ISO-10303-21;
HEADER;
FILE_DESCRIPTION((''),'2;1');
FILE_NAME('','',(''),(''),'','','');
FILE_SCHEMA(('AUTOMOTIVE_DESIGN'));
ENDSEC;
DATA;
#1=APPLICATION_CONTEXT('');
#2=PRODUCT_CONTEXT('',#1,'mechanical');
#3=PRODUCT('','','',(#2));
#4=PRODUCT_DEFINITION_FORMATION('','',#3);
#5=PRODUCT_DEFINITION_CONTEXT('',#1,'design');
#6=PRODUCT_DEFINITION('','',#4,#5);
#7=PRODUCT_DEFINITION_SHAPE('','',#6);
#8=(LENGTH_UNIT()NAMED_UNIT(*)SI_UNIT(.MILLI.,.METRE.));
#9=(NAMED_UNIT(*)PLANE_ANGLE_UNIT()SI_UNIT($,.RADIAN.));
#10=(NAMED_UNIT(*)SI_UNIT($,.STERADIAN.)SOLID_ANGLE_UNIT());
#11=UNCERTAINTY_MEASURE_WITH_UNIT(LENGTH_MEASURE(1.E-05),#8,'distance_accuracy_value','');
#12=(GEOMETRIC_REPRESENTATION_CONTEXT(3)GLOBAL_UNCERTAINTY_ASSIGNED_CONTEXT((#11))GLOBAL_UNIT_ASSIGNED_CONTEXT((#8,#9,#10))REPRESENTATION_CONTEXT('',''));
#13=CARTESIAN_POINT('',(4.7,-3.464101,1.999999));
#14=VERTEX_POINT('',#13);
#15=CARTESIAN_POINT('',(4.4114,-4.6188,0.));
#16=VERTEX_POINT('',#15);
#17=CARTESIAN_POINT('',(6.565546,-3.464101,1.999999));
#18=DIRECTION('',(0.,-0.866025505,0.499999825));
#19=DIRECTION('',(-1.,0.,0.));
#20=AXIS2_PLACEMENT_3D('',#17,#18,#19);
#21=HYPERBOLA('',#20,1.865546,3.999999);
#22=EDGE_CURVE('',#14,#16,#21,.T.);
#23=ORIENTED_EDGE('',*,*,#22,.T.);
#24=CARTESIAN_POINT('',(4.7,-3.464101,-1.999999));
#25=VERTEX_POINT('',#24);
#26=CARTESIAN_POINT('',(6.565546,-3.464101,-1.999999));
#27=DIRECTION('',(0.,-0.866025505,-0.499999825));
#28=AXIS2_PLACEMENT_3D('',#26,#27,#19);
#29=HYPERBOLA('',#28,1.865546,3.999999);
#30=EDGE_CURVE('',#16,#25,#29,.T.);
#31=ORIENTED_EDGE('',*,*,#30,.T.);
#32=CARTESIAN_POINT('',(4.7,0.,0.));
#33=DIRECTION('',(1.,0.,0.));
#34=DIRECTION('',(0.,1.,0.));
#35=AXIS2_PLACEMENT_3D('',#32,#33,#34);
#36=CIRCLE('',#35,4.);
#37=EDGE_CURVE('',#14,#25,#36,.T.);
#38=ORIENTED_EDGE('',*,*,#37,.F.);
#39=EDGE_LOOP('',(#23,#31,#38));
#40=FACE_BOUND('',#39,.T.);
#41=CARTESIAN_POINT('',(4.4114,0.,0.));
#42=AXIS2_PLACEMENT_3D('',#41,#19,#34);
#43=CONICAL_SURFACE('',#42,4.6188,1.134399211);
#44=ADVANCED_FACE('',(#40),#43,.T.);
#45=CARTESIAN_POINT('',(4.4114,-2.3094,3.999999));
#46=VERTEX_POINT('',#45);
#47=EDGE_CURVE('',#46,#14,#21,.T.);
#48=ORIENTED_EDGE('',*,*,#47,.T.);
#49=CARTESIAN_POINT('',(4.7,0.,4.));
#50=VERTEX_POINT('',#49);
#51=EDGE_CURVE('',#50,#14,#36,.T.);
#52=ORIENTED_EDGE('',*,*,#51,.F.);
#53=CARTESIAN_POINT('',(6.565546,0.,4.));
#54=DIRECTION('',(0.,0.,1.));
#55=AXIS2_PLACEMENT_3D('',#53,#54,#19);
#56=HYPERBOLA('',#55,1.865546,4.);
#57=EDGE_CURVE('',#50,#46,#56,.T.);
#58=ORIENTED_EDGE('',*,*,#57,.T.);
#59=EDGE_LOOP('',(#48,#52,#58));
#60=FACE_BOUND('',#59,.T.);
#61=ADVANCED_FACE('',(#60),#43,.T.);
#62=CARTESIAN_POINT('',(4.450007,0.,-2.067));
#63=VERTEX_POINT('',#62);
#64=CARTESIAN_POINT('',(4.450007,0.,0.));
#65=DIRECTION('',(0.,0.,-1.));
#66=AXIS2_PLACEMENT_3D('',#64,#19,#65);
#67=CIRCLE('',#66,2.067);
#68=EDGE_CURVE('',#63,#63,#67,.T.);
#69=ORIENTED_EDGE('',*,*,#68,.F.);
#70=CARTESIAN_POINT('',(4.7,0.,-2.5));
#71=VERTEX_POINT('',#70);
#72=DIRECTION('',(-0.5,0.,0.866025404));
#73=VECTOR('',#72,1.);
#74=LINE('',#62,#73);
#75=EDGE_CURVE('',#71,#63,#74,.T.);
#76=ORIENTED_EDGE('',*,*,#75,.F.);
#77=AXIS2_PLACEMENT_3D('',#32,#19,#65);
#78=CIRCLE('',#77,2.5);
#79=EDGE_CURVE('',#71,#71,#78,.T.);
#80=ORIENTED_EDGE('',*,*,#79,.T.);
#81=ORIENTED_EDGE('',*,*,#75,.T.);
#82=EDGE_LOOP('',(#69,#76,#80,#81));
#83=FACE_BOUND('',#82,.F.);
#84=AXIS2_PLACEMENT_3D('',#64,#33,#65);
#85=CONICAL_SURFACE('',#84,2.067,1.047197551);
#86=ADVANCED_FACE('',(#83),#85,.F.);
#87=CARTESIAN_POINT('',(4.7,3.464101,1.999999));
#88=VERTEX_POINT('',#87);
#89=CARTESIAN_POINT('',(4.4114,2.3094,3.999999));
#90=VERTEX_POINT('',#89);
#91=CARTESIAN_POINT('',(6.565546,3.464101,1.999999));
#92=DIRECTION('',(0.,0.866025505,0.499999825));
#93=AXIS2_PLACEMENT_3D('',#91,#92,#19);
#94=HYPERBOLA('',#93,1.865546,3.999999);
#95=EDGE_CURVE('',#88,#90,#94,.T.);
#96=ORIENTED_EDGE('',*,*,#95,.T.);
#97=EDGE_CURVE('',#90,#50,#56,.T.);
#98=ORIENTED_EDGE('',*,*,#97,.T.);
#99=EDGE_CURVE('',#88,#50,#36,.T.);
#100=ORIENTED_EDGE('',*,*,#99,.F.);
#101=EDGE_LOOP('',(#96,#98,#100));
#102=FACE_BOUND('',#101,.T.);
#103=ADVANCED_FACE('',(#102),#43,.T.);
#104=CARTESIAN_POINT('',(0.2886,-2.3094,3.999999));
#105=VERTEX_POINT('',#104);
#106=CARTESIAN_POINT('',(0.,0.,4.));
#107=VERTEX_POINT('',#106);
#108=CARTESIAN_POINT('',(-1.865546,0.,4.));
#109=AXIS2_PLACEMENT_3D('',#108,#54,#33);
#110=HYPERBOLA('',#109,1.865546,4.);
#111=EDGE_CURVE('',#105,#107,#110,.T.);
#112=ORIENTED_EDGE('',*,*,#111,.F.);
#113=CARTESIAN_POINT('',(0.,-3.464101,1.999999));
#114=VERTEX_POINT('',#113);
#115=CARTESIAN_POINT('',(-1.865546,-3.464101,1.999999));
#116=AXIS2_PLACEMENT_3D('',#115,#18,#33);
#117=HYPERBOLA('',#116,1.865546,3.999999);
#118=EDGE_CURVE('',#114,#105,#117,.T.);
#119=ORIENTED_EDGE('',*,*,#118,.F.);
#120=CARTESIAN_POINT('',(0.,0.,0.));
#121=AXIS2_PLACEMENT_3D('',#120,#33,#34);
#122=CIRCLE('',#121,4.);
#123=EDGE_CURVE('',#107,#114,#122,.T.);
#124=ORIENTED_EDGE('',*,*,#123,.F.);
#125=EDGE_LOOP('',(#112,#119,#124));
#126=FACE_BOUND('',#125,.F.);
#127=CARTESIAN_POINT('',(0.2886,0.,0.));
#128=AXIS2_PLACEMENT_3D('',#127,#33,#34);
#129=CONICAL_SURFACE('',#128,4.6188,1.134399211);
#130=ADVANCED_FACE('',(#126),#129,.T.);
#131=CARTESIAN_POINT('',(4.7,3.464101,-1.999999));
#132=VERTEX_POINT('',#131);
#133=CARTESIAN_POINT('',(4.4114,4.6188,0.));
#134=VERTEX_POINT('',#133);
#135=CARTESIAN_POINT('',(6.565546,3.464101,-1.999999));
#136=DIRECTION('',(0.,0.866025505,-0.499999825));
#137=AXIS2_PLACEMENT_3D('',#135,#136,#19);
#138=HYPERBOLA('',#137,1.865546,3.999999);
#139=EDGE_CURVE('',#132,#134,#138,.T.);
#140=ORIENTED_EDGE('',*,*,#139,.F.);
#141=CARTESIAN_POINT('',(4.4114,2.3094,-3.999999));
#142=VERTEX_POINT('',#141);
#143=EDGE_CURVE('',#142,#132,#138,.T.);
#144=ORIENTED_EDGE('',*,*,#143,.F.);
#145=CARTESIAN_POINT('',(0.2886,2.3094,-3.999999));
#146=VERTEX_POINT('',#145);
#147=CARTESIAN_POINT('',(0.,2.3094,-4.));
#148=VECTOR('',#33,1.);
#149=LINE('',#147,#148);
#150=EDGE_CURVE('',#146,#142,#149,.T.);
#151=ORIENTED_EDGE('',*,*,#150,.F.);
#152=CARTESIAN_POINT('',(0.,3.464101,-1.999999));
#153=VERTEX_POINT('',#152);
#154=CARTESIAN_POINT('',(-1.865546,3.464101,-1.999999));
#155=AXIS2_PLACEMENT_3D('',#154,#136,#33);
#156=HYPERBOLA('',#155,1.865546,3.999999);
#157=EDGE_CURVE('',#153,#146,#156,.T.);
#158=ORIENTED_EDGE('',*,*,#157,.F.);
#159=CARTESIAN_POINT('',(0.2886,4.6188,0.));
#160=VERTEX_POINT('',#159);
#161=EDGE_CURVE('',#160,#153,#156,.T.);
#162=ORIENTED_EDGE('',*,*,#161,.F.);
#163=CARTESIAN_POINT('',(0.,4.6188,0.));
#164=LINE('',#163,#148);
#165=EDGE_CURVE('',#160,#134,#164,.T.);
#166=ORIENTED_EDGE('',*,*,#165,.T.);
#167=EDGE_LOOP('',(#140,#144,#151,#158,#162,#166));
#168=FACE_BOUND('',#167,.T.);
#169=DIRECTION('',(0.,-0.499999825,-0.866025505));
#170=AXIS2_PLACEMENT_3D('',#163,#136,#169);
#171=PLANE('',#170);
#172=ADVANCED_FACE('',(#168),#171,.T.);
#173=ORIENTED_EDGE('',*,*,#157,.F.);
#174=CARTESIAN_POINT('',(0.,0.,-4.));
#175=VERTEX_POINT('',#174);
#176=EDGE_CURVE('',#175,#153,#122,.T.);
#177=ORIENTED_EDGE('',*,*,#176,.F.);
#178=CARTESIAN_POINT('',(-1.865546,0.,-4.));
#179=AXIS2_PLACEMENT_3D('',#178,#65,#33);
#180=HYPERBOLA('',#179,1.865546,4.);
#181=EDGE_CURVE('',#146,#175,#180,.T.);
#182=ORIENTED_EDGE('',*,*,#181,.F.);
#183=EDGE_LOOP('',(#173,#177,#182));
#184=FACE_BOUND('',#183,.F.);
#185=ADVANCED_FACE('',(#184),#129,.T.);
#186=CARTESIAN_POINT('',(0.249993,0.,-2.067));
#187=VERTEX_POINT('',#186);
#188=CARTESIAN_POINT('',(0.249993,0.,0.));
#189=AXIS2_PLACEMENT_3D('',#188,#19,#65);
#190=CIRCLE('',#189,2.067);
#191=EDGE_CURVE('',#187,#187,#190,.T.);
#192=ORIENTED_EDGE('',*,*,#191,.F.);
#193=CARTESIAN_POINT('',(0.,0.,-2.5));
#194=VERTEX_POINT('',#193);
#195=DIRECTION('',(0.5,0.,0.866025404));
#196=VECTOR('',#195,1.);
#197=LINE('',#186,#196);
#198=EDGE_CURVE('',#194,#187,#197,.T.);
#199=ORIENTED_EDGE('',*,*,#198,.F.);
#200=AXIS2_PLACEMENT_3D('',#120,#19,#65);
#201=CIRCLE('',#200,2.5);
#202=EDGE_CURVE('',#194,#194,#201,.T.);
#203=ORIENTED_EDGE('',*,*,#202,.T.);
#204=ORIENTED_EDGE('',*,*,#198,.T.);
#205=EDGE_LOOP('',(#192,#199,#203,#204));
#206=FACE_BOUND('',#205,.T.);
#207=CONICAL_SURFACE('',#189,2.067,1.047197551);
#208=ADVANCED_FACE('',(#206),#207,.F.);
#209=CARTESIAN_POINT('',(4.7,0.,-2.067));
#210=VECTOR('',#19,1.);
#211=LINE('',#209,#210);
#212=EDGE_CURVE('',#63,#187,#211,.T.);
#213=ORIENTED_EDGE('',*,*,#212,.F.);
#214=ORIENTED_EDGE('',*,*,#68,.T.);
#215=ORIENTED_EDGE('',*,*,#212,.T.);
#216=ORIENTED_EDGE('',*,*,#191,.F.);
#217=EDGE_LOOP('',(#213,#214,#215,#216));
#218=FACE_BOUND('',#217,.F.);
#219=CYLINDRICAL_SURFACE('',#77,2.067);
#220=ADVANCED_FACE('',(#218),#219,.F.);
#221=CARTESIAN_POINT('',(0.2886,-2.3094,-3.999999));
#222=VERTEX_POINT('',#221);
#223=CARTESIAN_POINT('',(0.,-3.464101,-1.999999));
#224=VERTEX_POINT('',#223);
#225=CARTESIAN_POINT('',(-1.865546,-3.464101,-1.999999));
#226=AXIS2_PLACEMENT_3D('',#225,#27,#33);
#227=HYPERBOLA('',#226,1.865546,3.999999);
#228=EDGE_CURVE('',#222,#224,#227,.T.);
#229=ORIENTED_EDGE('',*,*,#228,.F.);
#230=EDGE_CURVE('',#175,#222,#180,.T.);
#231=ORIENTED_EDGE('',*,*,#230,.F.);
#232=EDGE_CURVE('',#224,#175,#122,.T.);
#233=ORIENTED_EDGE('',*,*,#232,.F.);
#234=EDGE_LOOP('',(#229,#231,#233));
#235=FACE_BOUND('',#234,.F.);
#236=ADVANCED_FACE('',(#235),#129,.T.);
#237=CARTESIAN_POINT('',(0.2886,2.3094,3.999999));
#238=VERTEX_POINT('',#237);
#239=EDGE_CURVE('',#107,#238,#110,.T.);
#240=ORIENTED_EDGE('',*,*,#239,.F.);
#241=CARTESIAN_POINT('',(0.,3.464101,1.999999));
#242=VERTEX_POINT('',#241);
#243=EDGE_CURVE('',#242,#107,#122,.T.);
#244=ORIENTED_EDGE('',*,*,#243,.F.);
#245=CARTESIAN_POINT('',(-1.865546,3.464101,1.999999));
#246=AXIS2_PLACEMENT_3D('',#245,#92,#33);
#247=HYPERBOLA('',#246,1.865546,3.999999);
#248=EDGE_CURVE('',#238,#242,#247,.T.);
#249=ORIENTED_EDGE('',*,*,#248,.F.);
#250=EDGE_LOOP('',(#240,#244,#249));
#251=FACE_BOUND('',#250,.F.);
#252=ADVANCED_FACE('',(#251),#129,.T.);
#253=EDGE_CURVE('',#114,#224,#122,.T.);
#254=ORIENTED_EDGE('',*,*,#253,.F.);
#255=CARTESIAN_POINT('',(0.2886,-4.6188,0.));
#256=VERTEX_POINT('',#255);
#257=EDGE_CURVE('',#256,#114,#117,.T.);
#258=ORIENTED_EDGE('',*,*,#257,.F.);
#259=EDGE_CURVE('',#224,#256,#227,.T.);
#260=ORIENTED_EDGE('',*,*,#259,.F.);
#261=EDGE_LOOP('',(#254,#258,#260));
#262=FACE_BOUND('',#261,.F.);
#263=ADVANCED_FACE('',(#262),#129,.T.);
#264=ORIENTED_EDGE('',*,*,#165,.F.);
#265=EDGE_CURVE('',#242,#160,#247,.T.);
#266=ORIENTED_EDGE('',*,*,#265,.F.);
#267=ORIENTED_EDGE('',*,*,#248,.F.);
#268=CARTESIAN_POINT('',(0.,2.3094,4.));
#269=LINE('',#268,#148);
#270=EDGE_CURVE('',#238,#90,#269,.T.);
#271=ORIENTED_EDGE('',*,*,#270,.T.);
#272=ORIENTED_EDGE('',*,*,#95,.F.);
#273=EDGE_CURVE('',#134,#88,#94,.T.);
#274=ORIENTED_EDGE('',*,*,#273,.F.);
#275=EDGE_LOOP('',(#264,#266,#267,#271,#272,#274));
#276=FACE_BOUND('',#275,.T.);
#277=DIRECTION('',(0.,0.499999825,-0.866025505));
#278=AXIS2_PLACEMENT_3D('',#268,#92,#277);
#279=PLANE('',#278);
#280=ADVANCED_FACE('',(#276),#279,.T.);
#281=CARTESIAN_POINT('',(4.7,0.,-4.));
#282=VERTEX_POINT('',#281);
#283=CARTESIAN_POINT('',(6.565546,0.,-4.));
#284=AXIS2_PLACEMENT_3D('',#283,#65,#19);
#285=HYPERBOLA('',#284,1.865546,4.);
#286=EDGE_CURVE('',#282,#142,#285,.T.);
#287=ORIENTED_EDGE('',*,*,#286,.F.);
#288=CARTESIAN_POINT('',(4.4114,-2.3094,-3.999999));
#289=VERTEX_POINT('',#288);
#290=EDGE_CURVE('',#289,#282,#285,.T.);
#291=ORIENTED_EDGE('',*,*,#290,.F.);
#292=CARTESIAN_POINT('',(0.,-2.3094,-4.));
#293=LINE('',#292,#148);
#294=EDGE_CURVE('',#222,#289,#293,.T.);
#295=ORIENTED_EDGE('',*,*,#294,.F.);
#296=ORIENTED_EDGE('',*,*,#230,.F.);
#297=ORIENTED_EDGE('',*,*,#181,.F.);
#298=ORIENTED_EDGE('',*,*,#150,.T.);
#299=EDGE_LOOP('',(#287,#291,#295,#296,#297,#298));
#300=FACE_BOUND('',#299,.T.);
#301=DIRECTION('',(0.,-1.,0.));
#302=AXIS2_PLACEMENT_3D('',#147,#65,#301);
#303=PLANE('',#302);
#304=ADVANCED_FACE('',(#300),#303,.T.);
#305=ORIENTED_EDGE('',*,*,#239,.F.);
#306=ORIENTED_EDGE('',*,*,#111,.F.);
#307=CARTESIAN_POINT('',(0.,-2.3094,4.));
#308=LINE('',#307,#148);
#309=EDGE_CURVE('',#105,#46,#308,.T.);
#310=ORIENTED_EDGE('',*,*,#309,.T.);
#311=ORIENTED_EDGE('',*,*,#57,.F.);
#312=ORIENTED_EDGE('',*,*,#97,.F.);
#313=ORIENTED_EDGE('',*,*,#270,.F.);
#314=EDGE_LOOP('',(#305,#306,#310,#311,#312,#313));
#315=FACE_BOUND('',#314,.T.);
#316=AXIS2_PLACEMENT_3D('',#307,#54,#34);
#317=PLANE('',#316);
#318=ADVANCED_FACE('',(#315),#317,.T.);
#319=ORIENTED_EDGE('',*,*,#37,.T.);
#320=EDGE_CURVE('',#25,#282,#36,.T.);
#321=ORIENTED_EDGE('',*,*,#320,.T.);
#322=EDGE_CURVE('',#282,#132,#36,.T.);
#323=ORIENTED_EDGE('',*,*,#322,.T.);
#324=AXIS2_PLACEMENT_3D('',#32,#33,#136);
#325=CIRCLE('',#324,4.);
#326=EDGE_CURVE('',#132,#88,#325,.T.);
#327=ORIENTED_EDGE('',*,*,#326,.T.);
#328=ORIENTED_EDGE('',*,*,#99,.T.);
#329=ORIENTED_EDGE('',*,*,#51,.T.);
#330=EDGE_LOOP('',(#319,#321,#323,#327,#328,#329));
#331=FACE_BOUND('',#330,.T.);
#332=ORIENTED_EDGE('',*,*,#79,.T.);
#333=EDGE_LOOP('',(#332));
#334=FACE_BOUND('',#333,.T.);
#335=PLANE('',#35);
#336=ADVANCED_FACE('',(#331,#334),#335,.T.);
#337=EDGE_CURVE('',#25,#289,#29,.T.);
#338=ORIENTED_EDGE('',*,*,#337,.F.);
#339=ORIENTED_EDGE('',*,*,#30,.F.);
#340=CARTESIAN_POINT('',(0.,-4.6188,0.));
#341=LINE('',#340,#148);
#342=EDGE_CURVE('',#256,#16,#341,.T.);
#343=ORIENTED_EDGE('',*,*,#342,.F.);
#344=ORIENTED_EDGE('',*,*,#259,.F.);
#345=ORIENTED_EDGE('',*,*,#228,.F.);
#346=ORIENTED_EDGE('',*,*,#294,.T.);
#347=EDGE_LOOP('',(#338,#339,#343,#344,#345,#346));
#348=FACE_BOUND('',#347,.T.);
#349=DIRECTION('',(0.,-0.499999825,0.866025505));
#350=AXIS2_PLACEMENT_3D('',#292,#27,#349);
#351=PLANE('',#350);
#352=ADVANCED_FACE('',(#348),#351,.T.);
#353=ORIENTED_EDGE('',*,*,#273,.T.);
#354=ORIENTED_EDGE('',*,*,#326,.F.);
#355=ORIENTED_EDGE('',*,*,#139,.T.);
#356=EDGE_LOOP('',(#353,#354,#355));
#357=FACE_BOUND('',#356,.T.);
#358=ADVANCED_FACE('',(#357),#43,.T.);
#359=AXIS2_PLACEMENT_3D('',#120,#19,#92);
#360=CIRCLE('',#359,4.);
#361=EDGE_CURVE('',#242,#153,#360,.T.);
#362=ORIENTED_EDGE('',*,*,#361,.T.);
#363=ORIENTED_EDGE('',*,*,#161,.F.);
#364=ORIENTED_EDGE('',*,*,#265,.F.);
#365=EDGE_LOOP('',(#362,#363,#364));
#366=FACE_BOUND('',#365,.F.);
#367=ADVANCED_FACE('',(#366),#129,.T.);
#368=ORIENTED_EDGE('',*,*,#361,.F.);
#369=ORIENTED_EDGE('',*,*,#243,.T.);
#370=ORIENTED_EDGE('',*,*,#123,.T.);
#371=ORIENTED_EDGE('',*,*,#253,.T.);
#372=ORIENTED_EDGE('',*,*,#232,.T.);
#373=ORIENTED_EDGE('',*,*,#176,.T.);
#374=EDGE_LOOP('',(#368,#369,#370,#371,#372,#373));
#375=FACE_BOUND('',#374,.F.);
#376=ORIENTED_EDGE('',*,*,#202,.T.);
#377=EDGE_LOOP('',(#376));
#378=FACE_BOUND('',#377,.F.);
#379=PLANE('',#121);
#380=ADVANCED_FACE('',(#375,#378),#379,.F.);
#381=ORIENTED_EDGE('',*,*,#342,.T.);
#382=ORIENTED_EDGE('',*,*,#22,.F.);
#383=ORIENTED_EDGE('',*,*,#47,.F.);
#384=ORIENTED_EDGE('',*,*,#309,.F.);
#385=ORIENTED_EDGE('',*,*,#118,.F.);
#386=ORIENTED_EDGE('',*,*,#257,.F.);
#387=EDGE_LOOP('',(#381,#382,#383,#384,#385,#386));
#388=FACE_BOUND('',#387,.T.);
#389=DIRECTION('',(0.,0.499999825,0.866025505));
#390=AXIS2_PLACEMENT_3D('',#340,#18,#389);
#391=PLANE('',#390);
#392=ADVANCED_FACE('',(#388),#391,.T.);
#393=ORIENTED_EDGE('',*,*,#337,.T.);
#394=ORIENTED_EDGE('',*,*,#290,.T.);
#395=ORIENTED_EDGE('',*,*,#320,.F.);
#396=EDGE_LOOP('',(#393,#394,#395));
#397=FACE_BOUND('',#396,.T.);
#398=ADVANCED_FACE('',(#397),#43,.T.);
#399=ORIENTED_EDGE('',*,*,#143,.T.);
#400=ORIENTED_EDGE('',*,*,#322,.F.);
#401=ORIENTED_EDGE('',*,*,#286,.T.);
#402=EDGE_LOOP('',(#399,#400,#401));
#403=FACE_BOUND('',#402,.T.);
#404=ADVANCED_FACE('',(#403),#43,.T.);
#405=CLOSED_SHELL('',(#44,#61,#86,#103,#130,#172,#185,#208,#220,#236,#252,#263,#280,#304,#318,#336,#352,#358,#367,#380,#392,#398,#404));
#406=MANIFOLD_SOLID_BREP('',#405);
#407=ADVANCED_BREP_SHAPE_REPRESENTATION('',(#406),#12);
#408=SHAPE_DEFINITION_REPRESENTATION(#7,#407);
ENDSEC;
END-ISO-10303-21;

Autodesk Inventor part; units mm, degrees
ref_plane "YZ Plane" through (0, 0, 0) normal (1, 0, 0) x (0, 1, 0)
ref_plane "XZ Plane" through (0, 0, 0) normal (0, 1, 0) x (-1, 0, 0)
sketch "Sketch1" plane through (0, 0, 0) normal (1, 0, 0) x (0, 1, 0)
  line L0 (-4.6188, 0) -> (-2.3094, 4)
  line L1 (-2.3094, 4) -> (2.3094, 4)
  line L2 (2.3094, 4) -> (4.6188, 0)
  line L3 (4.6188, 0) -> (2.3094, -4)
  line L4 (2.3094, -4) -> (-2.3094, -4)
  line L5 (-2.3094, -4) -> (-4.6188, 0)
  point P0 (0, 0)
  point P1 (0, 0)
  dimension "d0" = 9.2376
extrude "Body" add sketch "Sketch1" along normal blind 4.7
sketch "Sketch2" plane through (0, 0, 0) normal (0, 0, 1) x (1, 0, 0)
  line L0 (0, 2.3094) -> (0, 4.6188) projected
  line L1 (0, 4.6188) -> (4.7, 4.6188) projected
  line L2 (4.7, 2.3094) -> (4.7, 4.6188) projected
  line L3 (-0.94, 0) -> (5.64, 0) projected
  line L4 (0.2886, 4.6188) -> (0, 4)
  line L5 (4.4114, 4.6188) -> (4.7, 4)
  dimension "d3" = 25
  dimension "d4" = 25
  dimension "d5" = 8
  dimension "d6" = 8
revolve "Chamfer1" cut sketch "Sketch2" angle 360 about axis through (-10, 0, 0) along (1, 0, 0)
sketch "Sketch3" plane through (4.7, 0, 0) normal (1, 0, 0) x (0, 0, -1)
  arc A0 (-2, -3.4641) -> (2, -3.4641) centre (0, 0) ccw projected
hole "Thread" at (4.7, 0, 0) direction (-1, 0, 0) diameter 4.134 end through all thread size "M5x0.8" class "6H" standard "ANSI Metric M Profile"
chamfer "Chamfer2" distance 0.433 angle 30 1 edges at (4.7, 0, 2.067) measured on face at (4.7, 3.336, -0.083)
chamfer "Chamfer3" distance 0.433 angle 30 1 edges at (0, 0, 2.067) measured on face at (0, 3.336, -0.083)
ref_plane "Work Plane1" through (-8.3929, 0, 0) normal (0, -0.866, -0.5) x (1, 0, 0)
equation "\"d0\" = 1.1547 * SW"
equation "\"d1\" = KOH"
equation "\"d3\" = ANG1"
equation "\"d4\" = ANG2"
equation "\"d5\" = SW0"
equation "\"d6\" = SW01"
equation "\"d8\" = -0.5 * GD1 + 0.5 * NND"
equation "\"d40\" = -0.5 * GD1 + 0.5 * NND"
equation "\"d10\" = -0.5 * GD1 + 0.5 * NND"
equation "\"d41\" = -0.5 * GD1 + 0.5 * NND"
equation "\"ANG1\" = 25deg"
equation "\"ANG2\" = 25deg"
equation "\"NND\" = 5"
equation "\"KOH\" = 4.7"
equation "\"SW\" = 8"
equation "\"SW0\" = SW"
equation "\"SW01\" = SW"
equation "\"GUL\" = 0.541266 * PTC"
equation "\"THREADDIA\" = 5"
equation "\"TOA\" = 30deg"
equation "\"PTC\" = 0.8"
equation "\"E0\" = 1.155 * SW"
equation "\"GAL\" = 0.541266 * PTC"
equation "\"SD2\" = 0"
equation "\"WFT\" = 0"
equation "\"GD1\" = 4.133975"
properties part number "ANSI B 18.2.4.1 M - M5 x 0.8" material "Steel, Mild"
